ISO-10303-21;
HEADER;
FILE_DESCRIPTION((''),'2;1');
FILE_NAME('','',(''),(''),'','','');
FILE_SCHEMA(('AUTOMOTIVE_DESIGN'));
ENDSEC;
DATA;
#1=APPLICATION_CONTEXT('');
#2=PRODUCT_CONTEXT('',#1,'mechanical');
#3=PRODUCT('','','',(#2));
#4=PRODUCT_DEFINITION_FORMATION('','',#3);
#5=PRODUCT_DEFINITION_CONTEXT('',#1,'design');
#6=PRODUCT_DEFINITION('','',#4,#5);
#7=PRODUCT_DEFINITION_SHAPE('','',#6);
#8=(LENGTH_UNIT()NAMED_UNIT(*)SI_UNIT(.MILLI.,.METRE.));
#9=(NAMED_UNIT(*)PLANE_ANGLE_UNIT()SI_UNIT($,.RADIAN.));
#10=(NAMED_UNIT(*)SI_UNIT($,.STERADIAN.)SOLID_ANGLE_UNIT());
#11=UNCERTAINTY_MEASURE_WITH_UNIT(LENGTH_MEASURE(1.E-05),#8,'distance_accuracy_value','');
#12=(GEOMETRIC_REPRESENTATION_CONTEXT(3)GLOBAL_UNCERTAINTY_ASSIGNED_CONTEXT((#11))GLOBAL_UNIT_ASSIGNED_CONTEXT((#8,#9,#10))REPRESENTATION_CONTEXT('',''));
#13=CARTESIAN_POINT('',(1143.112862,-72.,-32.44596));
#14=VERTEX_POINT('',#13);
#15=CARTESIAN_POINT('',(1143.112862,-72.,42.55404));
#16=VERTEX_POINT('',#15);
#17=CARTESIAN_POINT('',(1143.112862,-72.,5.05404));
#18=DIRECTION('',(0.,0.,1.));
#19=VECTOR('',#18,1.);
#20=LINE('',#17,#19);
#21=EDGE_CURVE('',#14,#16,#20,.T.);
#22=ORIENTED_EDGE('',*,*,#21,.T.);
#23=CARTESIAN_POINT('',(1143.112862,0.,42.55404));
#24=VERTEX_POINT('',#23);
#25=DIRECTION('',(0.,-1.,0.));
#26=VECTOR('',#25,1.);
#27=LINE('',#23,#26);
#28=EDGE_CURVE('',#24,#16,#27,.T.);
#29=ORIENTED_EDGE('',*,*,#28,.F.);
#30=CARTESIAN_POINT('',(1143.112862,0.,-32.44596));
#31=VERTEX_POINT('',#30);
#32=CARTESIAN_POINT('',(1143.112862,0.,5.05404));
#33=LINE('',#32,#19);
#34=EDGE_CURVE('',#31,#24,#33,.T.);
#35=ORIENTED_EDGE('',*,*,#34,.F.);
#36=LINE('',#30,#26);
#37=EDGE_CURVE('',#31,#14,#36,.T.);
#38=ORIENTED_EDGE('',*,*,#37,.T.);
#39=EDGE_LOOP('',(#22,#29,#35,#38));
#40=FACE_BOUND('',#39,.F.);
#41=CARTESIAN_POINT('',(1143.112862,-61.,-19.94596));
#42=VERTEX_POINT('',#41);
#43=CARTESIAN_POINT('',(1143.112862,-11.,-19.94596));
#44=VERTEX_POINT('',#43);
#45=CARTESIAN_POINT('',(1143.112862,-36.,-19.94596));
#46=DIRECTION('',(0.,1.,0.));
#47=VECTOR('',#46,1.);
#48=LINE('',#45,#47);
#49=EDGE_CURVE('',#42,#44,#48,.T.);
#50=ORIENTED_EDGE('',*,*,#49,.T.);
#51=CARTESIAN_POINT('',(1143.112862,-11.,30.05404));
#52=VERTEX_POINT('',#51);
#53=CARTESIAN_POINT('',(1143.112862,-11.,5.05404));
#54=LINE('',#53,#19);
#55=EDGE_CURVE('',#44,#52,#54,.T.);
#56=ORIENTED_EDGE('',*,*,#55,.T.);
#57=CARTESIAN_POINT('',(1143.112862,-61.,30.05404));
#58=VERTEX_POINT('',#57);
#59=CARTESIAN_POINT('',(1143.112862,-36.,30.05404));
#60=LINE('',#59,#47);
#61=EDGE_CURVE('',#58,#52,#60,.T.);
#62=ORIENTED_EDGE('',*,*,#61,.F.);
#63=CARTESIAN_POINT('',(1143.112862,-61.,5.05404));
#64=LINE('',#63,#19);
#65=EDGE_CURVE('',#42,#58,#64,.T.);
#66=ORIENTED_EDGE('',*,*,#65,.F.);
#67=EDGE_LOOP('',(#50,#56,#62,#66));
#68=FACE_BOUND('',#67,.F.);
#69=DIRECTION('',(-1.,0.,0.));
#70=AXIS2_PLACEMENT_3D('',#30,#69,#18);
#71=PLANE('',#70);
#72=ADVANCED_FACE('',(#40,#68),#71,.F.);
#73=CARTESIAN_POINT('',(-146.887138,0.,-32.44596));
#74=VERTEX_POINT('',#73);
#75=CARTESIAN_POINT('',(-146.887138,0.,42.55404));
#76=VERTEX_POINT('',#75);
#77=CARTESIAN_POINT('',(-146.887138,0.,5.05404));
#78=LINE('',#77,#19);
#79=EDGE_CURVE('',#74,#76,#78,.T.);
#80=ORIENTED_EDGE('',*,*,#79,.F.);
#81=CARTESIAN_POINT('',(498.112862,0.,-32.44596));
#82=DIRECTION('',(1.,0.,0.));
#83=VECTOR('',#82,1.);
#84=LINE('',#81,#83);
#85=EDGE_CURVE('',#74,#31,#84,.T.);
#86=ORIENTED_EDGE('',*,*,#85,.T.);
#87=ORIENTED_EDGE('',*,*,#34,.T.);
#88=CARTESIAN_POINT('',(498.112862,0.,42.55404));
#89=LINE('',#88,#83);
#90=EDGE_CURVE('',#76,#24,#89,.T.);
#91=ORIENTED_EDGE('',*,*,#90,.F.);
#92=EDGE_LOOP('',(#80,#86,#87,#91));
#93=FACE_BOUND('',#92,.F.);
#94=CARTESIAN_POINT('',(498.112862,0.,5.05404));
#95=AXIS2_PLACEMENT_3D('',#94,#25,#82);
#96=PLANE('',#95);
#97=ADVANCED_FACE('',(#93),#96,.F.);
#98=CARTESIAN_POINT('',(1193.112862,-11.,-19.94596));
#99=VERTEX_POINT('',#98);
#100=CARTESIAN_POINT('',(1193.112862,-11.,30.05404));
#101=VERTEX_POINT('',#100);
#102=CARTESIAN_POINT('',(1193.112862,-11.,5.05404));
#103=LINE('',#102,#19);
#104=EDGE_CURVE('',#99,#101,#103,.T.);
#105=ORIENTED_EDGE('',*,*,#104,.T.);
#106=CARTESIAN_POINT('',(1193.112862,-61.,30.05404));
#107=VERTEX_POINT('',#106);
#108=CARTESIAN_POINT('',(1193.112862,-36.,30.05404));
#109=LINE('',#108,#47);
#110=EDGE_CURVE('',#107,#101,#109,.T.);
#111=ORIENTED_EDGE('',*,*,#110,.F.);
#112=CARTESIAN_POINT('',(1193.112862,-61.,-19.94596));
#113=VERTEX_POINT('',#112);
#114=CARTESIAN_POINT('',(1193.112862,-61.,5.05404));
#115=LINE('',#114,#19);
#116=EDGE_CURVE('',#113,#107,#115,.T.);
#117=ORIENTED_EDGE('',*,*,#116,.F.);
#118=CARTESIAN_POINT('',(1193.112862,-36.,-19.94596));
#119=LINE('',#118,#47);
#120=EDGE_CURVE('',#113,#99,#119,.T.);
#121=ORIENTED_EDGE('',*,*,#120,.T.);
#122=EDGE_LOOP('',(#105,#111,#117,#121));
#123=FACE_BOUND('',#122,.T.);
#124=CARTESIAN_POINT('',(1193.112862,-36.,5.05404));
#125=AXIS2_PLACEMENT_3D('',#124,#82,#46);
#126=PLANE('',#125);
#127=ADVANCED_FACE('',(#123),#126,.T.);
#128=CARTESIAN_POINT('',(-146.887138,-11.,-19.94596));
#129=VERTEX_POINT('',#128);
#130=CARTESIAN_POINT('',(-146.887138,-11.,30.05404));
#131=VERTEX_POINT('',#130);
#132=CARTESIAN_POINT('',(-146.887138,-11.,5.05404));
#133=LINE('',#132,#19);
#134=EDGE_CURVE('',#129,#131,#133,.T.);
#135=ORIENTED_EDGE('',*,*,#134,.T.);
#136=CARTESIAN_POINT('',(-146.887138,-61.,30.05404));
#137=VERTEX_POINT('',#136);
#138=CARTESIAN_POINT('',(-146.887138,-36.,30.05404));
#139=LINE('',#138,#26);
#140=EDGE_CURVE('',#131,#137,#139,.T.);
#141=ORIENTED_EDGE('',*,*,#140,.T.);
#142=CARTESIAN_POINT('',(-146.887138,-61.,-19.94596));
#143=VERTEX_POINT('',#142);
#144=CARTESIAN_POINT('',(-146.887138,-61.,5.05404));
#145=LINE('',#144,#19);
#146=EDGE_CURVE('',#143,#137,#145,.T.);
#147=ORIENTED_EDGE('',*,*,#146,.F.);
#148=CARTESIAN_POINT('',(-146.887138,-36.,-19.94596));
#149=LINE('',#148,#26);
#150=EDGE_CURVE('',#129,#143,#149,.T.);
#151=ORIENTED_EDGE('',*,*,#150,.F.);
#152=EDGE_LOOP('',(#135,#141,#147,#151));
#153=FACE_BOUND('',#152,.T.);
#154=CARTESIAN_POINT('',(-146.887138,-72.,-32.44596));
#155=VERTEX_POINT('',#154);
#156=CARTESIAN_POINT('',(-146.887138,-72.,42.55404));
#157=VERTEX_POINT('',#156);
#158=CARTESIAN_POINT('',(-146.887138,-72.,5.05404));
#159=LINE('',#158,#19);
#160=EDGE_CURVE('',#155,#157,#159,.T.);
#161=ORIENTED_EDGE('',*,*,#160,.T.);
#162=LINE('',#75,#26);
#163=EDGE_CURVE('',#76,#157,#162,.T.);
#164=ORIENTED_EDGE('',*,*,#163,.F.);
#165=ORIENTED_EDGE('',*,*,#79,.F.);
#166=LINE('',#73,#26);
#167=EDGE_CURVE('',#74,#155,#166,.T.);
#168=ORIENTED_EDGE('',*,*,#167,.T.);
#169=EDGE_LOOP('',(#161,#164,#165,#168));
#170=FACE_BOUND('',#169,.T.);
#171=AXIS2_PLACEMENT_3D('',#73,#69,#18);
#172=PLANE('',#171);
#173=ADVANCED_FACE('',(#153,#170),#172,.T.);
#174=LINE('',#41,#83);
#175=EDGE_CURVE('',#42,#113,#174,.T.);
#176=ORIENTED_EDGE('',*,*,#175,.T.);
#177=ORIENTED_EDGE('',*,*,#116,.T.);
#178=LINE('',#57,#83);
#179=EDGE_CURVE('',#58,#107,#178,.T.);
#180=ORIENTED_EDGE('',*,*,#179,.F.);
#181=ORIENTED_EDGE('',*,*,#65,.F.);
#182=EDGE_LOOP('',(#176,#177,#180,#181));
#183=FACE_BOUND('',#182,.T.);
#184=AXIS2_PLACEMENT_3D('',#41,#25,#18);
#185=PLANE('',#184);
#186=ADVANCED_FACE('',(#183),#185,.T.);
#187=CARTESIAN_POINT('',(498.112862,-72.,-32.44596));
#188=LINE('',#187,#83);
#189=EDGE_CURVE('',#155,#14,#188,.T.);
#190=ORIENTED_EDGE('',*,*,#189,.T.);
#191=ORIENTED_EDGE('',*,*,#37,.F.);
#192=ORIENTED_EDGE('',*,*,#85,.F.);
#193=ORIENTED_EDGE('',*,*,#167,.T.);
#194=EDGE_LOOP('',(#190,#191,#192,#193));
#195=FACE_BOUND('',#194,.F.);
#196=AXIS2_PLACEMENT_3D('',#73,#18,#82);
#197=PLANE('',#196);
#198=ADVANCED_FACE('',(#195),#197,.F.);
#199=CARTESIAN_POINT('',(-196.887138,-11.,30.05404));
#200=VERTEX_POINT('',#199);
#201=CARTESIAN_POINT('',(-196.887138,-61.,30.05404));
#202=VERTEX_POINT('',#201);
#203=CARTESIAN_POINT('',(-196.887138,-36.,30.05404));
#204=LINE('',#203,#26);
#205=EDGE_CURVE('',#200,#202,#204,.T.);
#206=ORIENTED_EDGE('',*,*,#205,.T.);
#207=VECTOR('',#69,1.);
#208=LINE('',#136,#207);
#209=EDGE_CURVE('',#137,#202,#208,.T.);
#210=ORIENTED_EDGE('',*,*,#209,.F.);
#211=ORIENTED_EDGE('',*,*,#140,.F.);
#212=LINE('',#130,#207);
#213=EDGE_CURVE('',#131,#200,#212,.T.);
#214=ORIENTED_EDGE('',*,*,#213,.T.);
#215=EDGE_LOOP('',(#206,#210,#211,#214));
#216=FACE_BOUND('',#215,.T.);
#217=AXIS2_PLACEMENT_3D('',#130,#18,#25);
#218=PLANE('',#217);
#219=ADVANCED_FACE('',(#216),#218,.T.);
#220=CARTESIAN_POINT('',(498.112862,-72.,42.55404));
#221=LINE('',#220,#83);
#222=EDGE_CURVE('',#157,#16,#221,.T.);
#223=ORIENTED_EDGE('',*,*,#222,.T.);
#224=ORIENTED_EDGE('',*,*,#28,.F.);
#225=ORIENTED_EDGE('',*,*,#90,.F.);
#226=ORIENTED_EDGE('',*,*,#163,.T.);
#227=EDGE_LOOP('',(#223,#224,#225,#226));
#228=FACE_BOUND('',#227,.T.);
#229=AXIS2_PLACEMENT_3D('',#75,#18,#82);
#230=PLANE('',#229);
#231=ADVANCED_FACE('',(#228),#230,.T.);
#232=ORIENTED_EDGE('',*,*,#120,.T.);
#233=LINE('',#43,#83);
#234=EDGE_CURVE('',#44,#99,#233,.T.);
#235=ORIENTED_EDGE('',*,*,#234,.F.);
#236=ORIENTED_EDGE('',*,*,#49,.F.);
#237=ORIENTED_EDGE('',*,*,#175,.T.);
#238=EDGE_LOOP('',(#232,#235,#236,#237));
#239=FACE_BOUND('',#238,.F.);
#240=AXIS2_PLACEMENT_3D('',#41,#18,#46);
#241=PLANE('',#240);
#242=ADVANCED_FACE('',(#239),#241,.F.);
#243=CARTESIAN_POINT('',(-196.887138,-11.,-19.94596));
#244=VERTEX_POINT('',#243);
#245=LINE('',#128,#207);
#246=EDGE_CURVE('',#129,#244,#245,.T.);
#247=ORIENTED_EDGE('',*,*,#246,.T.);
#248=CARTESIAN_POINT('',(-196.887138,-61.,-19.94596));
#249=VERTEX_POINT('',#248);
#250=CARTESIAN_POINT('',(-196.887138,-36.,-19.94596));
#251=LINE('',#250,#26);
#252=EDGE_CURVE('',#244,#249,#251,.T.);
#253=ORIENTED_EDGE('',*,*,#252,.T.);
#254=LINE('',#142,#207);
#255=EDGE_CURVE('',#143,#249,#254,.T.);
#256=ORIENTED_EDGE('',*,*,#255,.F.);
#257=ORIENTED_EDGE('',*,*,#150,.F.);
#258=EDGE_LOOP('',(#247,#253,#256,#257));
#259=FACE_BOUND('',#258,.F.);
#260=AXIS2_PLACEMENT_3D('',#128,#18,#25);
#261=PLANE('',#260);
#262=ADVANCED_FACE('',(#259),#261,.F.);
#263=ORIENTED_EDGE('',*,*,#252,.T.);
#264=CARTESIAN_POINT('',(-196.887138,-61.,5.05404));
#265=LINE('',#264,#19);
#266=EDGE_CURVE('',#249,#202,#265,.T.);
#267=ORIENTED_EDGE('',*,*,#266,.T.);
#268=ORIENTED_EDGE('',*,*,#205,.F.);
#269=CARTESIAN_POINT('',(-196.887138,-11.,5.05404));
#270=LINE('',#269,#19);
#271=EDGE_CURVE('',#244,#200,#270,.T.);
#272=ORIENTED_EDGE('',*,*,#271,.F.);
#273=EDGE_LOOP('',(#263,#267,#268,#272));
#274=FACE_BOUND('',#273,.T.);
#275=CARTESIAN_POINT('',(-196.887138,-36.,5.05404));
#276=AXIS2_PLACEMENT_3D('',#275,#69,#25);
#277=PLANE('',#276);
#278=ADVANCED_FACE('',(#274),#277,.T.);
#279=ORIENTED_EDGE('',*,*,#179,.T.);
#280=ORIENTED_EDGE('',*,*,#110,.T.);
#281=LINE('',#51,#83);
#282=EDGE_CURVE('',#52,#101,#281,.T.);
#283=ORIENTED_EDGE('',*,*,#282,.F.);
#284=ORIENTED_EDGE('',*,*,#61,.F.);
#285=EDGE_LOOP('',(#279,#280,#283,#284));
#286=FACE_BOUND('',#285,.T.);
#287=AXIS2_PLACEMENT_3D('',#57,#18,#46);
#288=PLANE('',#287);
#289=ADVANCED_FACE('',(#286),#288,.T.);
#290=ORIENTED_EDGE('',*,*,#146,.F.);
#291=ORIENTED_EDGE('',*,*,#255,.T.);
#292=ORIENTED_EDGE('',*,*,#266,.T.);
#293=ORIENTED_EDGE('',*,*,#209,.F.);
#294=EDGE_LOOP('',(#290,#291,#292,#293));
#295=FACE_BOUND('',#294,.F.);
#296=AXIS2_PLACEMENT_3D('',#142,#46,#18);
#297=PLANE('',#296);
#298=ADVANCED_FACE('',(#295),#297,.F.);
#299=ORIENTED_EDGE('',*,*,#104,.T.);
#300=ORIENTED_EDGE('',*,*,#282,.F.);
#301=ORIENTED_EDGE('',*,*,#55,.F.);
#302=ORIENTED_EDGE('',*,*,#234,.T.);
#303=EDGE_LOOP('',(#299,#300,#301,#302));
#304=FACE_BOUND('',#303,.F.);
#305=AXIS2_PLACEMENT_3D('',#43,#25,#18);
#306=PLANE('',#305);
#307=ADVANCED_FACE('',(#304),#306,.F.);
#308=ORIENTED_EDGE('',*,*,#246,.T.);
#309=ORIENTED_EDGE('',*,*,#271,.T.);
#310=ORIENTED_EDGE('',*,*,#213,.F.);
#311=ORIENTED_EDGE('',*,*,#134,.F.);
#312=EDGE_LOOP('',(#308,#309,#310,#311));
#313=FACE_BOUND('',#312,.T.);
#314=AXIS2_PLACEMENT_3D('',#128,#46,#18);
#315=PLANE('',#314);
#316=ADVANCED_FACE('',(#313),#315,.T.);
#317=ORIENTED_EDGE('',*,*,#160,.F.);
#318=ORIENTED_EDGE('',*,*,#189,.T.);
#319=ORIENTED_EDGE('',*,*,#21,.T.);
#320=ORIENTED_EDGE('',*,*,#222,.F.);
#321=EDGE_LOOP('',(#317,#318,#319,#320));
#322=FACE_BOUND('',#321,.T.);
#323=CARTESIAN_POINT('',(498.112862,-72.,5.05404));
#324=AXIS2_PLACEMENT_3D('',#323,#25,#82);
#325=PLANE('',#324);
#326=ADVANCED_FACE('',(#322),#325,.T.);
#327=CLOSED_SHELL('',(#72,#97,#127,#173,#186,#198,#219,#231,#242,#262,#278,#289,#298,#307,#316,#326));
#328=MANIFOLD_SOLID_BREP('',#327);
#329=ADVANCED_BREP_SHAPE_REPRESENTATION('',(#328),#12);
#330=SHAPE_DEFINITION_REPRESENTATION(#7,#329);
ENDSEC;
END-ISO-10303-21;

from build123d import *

# Parameters (mm, degrees)
F0_W     = 1290
F0_H     = 75
F1_DEPTH = 72
F2_W     = 50
F2_H     = 50
F3_DEPTH = 50
F4_W     = 50
F4_H     = 50
F5_DEPTH = 50


with BuildPart() as f1:
    # F0 (on Front) → F1 (new body)
    with BuildSketch(Plane.XZ):
        with Locations((498.112862, 5.05404)):
            Rectangle(F0_W, F0_H)
    extrude(amount=F1_DEPTH)

    # F2 (on face) → F3 (join)
    with BuildSketch(Plane.YZ.offset(1143.112862)):
        with Locations((-36, 5.05404)):
            Rectangle(F2_W, F2_H)
    extrude(amount=F3_DEPTH)

    # F4 (on face) → F5 (join)
    with BuildSketch(Plane(origin=(-146.887138, 0, 0), x_dir=(0, -1, 0), z_dir=(-1, 0, 0))):
        with Locations((36, 5.05404)):
            Rectangle(F4_W, F4_H)
    extrude(amount=F5_DEPTH)


solid = f1.part
